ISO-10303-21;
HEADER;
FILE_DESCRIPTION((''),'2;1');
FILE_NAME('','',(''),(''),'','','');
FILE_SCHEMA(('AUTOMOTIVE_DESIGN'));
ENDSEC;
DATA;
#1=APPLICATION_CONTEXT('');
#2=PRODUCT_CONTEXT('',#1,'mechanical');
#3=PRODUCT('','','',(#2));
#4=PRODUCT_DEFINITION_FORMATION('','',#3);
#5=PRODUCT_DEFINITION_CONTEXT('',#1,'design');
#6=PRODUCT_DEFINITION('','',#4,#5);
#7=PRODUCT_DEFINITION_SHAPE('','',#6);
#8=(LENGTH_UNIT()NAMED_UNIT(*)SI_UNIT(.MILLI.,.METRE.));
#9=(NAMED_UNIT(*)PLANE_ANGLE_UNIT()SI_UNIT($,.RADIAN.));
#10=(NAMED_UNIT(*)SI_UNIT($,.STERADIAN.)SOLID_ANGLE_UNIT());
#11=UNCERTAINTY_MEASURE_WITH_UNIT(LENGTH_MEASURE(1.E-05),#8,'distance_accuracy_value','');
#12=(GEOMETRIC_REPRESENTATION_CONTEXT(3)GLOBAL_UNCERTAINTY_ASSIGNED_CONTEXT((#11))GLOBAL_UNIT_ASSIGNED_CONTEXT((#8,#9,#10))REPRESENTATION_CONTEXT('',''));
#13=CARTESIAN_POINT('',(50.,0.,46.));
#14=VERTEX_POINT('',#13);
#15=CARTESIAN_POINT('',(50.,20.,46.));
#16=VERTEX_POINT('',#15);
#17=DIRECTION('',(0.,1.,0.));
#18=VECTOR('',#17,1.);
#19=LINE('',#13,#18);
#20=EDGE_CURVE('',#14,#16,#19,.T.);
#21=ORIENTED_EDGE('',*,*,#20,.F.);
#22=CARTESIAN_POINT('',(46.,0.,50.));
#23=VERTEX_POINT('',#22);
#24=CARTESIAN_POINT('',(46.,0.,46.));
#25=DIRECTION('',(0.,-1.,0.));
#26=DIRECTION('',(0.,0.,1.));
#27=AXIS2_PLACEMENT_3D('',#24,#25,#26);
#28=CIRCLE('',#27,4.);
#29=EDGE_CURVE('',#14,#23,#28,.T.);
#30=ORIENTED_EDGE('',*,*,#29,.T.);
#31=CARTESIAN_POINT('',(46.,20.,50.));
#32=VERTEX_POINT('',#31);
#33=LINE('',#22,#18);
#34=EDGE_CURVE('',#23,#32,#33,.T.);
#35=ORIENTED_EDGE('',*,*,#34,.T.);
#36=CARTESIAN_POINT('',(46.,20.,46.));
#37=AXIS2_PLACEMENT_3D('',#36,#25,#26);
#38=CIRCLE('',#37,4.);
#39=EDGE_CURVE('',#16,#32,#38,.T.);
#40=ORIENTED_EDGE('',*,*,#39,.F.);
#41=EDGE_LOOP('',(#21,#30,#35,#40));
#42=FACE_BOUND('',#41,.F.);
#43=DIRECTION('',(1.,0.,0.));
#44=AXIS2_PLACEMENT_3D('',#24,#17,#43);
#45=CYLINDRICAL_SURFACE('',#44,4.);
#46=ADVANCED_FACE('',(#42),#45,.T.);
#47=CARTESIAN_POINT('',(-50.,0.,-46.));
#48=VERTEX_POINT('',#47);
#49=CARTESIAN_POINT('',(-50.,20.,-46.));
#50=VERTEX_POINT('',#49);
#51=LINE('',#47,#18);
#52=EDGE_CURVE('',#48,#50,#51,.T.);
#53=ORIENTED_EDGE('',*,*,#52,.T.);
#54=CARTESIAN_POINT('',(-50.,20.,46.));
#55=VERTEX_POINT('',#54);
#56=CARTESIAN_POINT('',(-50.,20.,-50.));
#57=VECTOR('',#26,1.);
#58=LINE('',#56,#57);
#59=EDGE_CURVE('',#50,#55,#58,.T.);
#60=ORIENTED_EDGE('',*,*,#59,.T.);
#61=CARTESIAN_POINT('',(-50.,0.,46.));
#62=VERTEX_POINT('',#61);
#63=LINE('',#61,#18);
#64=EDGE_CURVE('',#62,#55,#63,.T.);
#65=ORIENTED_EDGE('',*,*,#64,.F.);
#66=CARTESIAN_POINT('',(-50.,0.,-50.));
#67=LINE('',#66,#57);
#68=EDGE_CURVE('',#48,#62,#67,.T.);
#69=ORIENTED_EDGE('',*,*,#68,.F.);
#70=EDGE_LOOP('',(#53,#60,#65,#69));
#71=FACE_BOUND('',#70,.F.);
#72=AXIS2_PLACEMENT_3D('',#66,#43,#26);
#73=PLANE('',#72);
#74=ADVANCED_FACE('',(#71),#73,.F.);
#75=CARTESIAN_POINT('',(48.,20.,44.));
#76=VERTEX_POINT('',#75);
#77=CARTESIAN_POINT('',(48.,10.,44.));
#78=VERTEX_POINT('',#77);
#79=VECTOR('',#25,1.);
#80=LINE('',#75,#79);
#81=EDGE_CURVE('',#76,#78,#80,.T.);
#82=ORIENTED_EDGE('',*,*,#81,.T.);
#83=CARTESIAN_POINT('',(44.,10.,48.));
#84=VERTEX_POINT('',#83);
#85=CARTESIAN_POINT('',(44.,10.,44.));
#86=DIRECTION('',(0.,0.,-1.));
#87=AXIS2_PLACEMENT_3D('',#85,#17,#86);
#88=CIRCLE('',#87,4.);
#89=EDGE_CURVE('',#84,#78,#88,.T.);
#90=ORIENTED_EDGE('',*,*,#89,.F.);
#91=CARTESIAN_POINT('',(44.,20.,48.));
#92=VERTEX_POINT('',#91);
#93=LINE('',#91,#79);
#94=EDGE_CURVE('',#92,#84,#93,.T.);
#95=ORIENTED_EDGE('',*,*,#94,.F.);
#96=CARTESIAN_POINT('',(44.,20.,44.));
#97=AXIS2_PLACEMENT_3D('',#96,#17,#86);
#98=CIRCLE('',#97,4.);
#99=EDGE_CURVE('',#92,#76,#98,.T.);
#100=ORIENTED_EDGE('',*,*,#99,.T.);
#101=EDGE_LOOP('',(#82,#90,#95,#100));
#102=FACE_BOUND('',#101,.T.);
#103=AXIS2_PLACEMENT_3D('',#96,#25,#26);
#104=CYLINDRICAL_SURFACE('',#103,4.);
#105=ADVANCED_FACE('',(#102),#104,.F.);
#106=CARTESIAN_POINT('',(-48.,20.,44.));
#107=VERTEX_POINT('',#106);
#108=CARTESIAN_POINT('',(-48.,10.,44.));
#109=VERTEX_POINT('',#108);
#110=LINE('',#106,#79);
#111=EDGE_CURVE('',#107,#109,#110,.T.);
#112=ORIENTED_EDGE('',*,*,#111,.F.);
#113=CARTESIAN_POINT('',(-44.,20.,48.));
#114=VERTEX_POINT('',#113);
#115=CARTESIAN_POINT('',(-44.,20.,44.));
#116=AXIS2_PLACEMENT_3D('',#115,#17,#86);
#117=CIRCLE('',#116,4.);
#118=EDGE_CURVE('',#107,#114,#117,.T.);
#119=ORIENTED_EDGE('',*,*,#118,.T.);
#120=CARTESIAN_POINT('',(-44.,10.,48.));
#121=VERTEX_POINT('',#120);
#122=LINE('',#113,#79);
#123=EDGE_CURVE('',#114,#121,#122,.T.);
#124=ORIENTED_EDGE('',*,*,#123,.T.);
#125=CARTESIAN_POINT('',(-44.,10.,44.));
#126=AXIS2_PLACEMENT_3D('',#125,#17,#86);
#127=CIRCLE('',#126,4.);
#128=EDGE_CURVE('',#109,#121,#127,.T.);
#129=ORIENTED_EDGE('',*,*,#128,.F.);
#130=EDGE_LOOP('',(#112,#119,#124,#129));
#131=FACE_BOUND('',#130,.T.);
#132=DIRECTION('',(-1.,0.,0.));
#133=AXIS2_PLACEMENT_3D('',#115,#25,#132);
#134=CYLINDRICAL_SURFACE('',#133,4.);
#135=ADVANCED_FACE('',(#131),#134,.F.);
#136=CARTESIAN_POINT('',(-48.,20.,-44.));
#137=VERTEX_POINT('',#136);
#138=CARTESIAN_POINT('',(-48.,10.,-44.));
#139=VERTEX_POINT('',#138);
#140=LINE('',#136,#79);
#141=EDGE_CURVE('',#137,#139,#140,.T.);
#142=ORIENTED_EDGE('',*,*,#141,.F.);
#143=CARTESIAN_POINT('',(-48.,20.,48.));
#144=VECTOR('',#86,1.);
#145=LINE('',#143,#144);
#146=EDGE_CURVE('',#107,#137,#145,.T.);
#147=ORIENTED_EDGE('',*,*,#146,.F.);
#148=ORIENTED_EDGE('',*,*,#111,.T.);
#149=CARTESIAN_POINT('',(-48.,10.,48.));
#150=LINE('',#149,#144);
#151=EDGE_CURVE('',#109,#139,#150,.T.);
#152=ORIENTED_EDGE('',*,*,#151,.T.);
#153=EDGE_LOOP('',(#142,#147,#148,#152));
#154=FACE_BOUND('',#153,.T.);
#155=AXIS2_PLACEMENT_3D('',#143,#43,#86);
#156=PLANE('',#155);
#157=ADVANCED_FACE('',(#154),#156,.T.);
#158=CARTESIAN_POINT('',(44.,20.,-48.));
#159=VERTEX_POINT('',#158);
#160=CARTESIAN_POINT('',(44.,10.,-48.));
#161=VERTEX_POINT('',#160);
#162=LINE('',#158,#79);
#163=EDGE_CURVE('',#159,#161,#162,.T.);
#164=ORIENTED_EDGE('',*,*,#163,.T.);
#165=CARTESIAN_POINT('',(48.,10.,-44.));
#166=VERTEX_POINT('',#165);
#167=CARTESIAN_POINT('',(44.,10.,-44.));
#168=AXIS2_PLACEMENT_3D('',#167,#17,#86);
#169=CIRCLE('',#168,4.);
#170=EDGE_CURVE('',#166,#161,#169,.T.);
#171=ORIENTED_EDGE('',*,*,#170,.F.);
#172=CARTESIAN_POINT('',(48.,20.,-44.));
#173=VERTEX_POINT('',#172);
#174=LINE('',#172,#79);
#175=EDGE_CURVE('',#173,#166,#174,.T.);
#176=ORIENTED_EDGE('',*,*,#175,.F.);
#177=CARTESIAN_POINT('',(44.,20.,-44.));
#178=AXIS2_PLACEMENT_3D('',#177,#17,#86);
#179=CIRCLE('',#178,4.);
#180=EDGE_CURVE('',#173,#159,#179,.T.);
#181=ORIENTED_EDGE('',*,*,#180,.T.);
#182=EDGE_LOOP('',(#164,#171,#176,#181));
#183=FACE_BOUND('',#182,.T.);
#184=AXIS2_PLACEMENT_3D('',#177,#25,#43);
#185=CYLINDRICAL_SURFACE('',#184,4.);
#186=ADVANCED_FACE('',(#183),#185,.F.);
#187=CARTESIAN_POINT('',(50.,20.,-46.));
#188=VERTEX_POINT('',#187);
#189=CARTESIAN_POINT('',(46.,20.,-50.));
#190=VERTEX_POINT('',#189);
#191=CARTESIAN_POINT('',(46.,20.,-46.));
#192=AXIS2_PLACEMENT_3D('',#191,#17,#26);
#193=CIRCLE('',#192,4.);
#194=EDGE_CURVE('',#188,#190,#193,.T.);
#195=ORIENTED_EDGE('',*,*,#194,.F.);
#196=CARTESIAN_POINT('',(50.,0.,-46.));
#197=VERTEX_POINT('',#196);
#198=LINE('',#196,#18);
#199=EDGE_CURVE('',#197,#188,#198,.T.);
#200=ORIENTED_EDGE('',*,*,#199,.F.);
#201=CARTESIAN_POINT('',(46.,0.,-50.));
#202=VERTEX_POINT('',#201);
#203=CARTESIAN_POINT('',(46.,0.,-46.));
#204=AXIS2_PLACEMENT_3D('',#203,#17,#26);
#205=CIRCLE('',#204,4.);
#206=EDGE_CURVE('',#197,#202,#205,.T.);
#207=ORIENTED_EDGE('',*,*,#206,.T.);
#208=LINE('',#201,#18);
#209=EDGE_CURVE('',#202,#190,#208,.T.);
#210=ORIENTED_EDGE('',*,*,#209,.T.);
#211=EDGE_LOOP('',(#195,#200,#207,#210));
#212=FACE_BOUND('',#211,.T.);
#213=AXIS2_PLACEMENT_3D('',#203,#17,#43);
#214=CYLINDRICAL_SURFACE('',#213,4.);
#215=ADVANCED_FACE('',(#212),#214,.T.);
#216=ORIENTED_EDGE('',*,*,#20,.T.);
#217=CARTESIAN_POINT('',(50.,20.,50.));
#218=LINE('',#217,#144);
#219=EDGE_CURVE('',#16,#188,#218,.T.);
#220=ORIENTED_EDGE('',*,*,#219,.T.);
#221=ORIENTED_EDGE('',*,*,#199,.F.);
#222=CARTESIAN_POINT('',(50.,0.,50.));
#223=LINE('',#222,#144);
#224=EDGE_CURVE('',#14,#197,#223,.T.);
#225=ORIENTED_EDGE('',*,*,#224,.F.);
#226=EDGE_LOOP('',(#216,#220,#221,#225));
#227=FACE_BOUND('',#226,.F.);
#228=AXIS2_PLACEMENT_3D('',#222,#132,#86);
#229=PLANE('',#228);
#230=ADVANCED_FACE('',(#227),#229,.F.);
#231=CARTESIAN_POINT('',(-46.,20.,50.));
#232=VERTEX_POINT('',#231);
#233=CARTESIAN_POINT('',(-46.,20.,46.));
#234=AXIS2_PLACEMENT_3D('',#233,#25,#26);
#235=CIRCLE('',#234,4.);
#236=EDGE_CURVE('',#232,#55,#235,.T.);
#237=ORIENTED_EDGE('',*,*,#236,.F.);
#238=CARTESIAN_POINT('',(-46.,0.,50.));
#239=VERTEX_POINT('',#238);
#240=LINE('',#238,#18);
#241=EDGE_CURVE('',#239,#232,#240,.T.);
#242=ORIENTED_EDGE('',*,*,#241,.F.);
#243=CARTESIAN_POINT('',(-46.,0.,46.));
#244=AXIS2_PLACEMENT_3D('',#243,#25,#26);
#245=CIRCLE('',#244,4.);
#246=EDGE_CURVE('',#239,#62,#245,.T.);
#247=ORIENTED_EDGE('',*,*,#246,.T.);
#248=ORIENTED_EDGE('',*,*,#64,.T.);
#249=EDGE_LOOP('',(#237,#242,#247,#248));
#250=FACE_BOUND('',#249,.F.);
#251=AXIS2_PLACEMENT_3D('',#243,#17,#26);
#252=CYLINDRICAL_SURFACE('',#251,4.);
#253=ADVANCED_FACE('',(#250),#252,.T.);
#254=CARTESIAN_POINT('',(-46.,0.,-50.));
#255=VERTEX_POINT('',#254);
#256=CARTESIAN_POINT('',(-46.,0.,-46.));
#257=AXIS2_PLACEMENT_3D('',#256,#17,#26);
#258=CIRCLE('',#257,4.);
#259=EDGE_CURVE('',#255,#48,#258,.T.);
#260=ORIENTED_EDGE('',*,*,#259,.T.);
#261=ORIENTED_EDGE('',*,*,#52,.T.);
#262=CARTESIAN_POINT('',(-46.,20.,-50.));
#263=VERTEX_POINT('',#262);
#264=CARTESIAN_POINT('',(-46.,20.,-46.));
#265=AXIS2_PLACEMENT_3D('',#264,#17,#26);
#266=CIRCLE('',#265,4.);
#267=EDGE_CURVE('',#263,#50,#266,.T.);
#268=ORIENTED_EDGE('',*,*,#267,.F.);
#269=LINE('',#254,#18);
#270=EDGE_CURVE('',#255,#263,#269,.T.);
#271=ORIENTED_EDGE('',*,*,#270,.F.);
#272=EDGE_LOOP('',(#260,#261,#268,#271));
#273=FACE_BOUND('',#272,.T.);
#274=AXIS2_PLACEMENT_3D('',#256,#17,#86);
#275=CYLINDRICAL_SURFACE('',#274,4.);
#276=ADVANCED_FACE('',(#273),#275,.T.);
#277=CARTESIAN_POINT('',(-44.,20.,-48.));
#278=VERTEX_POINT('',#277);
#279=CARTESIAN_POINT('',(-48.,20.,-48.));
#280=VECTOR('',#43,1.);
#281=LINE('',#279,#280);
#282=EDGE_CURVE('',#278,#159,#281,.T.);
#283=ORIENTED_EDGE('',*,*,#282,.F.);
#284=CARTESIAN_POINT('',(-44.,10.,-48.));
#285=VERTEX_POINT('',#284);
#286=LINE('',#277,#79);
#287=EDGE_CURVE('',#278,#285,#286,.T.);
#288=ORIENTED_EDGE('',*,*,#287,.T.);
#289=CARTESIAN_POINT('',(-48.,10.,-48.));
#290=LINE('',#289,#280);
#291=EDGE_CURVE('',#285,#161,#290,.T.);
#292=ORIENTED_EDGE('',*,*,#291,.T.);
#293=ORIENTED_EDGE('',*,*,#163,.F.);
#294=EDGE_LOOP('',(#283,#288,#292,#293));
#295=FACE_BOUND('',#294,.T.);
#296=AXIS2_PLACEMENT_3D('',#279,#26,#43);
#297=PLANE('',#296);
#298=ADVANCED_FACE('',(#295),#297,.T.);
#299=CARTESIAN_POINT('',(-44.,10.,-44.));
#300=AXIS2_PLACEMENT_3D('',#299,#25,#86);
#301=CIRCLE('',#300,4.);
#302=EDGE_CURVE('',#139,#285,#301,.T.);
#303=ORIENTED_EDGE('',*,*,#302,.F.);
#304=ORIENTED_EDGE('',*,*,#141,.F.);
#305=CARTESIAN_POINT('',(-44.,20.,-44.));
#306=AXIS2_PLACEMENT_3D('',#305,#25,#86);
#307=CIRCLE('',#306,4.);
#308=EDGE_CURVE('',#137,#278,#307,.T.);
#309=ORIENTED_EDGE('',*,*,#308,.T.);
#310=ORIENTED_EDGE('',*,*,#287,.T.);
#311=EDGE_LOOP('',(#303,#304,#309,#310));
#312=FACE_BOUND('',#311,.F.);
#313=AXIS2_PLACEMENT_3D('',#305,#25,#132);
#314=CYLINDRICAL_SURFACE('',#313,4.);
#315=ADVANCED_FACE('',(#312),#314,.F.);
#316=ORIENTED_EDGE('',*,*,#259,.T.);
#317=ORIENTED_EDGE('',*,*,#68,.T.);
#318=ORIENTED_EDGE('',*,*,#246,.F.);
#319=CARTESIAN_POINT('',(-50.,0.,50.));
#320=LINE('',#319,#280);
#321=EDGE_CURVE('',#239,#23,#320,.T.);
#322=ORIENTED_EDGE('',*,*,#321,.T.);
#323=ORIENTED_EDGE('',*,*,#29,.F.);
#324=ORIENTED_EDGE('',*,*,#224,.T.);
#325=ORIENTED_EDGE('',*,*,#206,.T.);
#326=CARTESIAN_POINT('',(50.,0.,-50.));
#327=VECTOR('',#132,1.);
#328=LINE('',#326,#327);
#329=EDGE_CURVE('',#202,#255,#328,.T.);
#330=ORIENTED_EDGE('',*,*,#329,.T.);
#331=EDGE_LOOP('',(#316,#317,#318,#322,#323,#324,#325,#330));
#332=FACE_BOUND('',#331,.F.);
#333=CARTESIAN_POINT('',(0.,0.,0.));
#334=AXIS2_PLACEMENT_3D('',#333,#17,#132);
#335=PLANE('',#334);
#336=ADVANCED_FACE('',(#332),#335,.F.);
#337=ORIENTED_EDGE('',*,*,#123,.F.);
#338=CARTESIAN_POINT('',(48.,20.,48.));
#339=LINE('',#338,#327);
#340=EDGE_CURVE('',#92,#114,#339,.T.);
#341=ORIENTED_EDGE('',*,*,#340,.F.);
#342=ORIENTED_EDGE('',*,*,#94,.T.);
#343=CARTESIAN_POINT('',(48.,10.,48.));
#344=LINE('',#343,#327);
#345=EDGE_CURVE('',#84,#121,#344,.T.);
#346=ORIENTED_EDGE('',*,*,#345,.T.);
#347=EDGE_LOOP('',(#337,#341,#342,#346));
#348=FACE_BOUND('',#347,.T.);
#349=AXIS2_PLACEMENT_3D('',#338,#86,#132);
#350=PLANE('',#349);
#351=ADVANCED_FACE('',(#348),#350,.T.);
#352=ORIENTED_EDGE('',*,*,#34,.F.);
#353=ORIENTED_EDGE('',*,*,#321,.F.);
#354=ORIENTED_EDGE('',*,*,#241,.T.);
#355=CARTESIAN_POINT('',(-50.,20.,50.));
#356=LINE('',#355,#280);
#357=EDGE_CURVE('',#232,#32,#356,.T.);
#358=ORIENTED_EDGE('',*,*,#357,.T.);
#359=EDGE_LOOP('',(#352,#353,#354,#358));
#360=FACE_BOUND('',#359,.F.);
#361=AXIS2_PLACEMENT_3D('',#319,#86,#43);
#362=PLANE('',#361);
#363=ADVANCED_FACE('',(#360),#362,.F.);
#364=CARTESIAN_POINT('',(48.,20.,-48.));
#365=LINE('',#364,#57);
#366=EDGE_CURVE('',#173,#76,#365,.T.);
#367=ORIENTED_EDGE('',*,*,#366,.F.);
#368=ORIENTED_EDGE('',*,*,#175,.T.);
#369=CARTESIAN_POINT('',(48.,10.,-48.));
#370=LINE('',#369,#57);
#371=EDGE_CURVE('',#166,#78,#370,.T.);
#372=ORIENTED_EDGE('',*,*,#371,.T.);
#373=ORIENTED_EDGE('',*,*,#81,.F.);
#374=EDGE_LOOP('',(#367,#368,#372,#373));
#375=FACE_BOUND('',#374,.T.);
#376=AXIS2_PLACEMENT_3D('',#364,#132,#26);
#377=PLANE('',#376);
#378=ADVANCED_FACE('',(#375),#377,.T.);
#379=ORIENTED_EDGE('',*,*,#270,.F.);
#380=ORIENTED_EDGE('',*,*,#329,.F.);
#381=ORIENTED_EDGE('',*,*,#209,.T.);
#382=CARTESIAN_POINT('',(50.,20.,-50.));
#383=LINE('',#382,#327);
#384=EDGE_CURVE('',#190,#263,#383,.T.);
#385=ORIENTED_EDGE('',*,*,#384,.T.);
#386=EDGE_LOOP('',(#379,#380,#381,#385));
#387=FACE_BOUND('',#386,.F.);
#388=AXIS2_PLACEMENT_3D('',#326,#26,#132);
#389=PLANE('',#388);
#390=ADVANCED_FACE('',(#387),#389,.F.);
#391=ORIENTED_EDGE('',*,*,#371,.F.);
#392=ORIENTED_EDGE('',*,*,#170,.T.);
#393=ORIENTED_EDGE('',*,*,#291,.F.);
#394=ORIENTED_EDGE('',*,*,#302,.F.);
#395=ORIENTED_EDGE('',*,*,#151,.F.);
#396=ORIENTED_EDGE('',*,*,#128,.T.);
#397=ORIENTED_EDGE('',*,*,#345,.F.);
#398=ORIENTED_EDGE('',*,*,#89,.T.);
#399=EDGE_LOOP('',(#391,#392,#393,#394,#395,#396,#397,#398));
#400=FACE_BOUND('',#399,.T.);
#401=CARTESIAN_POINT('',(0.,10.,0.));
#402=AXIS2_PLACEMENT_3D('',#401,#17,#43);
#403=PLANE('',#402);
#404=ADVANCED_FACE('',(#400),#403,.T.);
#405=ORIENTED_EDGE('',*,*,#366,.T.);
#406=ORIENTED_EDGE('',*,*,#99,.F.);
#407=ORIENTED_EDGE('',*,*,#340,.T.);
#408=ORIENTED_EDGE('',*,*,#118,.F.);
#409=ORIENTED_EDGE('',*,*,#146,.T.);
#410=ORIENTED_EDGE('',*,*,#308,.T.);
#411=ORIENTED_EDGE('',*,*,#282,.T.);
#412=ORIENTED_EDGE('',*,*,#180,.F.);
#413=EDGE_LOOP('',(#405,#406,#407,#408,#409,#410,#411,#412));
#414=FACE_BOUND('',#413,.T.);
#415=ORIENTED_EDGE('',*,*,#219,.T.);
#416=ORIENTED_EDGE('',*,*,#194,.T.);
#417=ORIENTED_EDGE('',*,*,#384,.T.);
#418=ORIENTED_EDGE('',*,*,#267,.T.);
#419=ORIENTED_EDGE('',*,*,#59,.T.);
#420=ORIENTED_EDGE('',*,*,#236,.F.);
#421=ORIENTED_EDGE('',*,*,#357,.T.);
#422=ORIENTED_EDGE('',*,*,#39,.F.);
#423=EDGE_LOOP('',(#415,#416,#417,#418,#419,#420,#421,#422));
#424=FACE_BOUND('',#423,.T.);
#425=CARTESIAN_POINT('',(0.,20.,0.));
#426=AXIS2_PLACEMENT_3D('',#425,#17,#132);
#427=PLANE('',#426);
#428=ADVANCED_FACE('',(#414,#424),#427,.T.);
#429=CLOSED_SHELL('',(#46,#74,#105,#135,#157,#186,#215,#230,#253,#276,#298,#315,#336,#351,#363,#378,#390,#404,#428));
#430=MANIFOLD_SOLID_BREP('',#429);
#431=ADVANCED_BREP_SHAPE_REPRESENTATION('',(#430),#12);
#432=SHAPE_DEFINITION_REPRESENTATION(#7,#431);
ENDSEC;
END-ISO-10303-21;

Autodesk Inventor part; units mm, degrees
ref_plane "YZ Plane" through (0, 0, 0) normal (1, 0, 0) x (0, 1, 0)
ref_plane "XZ Plane" through (0, 0, 0) normal (0, 1, 0) x (-1, 0, 0)
ref_plane "XY Plane" through (0, 0, 0) normal (0, 0, 1) x (1, 0, 0)
sketch "Szkic1" plane through (0, 0, 0) normal (0, 1, 0) x (-1, 0, 0)
  line L0 (-50, -50) -> (50, -50)
  line L1 (50, -50) -> (50, 50)
  line L2 (50, 50) -> (-50, 50)
  line L3 (-50, 50) -> (-50, -50)
  line L4 (-50, -50) -> (50, 50) construction
  line L5 (50, -50) -> (-50, 50) construction
  point P0 (0, 0)
  dimension "d0" = 100
  dimension "d1" = 100
extrude "Wyciągnięcie proste1" add sketch "Szkic1" along normal blind 20
sketch "Szkic2" plane through (0, 20, 0) normal (0, 1, 0) x (1, 0, 0)
  line L0 (-48, 48) -> (48, 48)
  line L1 (48, 48) -> (48, -48)
  line L2 (48, -48) -> (-48, -48)
  line L3 (-48, -48) -> (-48, 48)
  line L4 (-48, 48) -> (48, -48) construction
  line L5 (48, 48) -> (-48, -48) construction
  point P0 (0, 0)
  dimension "d4" = 96
  dimension "d5" = 96
extrude "Wyciągnięcie proste2" cut sketch "Szkic2" against normal blind 10
fillet "Zaokrąglenie1" radius 4 8 edges at (-48, 15, 48) (-50, 10, 50) (-50, 10, -50) (-48, 15, -48) (50, 10, -50) (48, 15, -48) (50, 10, 50) (48, 15, 48)
equation "\"PromieńGięcia\" = Grubość"
equation "\"SzerokośćGięciaPodcięcia\" = Grubość"
equation "\"GłębokośćGięciaPodcięcia\" = 0.5 * Grubość"
equation "\"RozmiarPodcięciaNarożnika\" = 4 * Grubość"
equation "\"MinimalnaPozostałość\" = 2 * Grubość"
equation "\"PromieńPrzejścia\" = PromieńGięcia"
equation "\"Rozmiar_promienia_Jacobiego\" = PromieńGięcia"
equation "\"Wielk_odstępu\" = Grubość"
equation "\"Grubość\" = 0.5"
